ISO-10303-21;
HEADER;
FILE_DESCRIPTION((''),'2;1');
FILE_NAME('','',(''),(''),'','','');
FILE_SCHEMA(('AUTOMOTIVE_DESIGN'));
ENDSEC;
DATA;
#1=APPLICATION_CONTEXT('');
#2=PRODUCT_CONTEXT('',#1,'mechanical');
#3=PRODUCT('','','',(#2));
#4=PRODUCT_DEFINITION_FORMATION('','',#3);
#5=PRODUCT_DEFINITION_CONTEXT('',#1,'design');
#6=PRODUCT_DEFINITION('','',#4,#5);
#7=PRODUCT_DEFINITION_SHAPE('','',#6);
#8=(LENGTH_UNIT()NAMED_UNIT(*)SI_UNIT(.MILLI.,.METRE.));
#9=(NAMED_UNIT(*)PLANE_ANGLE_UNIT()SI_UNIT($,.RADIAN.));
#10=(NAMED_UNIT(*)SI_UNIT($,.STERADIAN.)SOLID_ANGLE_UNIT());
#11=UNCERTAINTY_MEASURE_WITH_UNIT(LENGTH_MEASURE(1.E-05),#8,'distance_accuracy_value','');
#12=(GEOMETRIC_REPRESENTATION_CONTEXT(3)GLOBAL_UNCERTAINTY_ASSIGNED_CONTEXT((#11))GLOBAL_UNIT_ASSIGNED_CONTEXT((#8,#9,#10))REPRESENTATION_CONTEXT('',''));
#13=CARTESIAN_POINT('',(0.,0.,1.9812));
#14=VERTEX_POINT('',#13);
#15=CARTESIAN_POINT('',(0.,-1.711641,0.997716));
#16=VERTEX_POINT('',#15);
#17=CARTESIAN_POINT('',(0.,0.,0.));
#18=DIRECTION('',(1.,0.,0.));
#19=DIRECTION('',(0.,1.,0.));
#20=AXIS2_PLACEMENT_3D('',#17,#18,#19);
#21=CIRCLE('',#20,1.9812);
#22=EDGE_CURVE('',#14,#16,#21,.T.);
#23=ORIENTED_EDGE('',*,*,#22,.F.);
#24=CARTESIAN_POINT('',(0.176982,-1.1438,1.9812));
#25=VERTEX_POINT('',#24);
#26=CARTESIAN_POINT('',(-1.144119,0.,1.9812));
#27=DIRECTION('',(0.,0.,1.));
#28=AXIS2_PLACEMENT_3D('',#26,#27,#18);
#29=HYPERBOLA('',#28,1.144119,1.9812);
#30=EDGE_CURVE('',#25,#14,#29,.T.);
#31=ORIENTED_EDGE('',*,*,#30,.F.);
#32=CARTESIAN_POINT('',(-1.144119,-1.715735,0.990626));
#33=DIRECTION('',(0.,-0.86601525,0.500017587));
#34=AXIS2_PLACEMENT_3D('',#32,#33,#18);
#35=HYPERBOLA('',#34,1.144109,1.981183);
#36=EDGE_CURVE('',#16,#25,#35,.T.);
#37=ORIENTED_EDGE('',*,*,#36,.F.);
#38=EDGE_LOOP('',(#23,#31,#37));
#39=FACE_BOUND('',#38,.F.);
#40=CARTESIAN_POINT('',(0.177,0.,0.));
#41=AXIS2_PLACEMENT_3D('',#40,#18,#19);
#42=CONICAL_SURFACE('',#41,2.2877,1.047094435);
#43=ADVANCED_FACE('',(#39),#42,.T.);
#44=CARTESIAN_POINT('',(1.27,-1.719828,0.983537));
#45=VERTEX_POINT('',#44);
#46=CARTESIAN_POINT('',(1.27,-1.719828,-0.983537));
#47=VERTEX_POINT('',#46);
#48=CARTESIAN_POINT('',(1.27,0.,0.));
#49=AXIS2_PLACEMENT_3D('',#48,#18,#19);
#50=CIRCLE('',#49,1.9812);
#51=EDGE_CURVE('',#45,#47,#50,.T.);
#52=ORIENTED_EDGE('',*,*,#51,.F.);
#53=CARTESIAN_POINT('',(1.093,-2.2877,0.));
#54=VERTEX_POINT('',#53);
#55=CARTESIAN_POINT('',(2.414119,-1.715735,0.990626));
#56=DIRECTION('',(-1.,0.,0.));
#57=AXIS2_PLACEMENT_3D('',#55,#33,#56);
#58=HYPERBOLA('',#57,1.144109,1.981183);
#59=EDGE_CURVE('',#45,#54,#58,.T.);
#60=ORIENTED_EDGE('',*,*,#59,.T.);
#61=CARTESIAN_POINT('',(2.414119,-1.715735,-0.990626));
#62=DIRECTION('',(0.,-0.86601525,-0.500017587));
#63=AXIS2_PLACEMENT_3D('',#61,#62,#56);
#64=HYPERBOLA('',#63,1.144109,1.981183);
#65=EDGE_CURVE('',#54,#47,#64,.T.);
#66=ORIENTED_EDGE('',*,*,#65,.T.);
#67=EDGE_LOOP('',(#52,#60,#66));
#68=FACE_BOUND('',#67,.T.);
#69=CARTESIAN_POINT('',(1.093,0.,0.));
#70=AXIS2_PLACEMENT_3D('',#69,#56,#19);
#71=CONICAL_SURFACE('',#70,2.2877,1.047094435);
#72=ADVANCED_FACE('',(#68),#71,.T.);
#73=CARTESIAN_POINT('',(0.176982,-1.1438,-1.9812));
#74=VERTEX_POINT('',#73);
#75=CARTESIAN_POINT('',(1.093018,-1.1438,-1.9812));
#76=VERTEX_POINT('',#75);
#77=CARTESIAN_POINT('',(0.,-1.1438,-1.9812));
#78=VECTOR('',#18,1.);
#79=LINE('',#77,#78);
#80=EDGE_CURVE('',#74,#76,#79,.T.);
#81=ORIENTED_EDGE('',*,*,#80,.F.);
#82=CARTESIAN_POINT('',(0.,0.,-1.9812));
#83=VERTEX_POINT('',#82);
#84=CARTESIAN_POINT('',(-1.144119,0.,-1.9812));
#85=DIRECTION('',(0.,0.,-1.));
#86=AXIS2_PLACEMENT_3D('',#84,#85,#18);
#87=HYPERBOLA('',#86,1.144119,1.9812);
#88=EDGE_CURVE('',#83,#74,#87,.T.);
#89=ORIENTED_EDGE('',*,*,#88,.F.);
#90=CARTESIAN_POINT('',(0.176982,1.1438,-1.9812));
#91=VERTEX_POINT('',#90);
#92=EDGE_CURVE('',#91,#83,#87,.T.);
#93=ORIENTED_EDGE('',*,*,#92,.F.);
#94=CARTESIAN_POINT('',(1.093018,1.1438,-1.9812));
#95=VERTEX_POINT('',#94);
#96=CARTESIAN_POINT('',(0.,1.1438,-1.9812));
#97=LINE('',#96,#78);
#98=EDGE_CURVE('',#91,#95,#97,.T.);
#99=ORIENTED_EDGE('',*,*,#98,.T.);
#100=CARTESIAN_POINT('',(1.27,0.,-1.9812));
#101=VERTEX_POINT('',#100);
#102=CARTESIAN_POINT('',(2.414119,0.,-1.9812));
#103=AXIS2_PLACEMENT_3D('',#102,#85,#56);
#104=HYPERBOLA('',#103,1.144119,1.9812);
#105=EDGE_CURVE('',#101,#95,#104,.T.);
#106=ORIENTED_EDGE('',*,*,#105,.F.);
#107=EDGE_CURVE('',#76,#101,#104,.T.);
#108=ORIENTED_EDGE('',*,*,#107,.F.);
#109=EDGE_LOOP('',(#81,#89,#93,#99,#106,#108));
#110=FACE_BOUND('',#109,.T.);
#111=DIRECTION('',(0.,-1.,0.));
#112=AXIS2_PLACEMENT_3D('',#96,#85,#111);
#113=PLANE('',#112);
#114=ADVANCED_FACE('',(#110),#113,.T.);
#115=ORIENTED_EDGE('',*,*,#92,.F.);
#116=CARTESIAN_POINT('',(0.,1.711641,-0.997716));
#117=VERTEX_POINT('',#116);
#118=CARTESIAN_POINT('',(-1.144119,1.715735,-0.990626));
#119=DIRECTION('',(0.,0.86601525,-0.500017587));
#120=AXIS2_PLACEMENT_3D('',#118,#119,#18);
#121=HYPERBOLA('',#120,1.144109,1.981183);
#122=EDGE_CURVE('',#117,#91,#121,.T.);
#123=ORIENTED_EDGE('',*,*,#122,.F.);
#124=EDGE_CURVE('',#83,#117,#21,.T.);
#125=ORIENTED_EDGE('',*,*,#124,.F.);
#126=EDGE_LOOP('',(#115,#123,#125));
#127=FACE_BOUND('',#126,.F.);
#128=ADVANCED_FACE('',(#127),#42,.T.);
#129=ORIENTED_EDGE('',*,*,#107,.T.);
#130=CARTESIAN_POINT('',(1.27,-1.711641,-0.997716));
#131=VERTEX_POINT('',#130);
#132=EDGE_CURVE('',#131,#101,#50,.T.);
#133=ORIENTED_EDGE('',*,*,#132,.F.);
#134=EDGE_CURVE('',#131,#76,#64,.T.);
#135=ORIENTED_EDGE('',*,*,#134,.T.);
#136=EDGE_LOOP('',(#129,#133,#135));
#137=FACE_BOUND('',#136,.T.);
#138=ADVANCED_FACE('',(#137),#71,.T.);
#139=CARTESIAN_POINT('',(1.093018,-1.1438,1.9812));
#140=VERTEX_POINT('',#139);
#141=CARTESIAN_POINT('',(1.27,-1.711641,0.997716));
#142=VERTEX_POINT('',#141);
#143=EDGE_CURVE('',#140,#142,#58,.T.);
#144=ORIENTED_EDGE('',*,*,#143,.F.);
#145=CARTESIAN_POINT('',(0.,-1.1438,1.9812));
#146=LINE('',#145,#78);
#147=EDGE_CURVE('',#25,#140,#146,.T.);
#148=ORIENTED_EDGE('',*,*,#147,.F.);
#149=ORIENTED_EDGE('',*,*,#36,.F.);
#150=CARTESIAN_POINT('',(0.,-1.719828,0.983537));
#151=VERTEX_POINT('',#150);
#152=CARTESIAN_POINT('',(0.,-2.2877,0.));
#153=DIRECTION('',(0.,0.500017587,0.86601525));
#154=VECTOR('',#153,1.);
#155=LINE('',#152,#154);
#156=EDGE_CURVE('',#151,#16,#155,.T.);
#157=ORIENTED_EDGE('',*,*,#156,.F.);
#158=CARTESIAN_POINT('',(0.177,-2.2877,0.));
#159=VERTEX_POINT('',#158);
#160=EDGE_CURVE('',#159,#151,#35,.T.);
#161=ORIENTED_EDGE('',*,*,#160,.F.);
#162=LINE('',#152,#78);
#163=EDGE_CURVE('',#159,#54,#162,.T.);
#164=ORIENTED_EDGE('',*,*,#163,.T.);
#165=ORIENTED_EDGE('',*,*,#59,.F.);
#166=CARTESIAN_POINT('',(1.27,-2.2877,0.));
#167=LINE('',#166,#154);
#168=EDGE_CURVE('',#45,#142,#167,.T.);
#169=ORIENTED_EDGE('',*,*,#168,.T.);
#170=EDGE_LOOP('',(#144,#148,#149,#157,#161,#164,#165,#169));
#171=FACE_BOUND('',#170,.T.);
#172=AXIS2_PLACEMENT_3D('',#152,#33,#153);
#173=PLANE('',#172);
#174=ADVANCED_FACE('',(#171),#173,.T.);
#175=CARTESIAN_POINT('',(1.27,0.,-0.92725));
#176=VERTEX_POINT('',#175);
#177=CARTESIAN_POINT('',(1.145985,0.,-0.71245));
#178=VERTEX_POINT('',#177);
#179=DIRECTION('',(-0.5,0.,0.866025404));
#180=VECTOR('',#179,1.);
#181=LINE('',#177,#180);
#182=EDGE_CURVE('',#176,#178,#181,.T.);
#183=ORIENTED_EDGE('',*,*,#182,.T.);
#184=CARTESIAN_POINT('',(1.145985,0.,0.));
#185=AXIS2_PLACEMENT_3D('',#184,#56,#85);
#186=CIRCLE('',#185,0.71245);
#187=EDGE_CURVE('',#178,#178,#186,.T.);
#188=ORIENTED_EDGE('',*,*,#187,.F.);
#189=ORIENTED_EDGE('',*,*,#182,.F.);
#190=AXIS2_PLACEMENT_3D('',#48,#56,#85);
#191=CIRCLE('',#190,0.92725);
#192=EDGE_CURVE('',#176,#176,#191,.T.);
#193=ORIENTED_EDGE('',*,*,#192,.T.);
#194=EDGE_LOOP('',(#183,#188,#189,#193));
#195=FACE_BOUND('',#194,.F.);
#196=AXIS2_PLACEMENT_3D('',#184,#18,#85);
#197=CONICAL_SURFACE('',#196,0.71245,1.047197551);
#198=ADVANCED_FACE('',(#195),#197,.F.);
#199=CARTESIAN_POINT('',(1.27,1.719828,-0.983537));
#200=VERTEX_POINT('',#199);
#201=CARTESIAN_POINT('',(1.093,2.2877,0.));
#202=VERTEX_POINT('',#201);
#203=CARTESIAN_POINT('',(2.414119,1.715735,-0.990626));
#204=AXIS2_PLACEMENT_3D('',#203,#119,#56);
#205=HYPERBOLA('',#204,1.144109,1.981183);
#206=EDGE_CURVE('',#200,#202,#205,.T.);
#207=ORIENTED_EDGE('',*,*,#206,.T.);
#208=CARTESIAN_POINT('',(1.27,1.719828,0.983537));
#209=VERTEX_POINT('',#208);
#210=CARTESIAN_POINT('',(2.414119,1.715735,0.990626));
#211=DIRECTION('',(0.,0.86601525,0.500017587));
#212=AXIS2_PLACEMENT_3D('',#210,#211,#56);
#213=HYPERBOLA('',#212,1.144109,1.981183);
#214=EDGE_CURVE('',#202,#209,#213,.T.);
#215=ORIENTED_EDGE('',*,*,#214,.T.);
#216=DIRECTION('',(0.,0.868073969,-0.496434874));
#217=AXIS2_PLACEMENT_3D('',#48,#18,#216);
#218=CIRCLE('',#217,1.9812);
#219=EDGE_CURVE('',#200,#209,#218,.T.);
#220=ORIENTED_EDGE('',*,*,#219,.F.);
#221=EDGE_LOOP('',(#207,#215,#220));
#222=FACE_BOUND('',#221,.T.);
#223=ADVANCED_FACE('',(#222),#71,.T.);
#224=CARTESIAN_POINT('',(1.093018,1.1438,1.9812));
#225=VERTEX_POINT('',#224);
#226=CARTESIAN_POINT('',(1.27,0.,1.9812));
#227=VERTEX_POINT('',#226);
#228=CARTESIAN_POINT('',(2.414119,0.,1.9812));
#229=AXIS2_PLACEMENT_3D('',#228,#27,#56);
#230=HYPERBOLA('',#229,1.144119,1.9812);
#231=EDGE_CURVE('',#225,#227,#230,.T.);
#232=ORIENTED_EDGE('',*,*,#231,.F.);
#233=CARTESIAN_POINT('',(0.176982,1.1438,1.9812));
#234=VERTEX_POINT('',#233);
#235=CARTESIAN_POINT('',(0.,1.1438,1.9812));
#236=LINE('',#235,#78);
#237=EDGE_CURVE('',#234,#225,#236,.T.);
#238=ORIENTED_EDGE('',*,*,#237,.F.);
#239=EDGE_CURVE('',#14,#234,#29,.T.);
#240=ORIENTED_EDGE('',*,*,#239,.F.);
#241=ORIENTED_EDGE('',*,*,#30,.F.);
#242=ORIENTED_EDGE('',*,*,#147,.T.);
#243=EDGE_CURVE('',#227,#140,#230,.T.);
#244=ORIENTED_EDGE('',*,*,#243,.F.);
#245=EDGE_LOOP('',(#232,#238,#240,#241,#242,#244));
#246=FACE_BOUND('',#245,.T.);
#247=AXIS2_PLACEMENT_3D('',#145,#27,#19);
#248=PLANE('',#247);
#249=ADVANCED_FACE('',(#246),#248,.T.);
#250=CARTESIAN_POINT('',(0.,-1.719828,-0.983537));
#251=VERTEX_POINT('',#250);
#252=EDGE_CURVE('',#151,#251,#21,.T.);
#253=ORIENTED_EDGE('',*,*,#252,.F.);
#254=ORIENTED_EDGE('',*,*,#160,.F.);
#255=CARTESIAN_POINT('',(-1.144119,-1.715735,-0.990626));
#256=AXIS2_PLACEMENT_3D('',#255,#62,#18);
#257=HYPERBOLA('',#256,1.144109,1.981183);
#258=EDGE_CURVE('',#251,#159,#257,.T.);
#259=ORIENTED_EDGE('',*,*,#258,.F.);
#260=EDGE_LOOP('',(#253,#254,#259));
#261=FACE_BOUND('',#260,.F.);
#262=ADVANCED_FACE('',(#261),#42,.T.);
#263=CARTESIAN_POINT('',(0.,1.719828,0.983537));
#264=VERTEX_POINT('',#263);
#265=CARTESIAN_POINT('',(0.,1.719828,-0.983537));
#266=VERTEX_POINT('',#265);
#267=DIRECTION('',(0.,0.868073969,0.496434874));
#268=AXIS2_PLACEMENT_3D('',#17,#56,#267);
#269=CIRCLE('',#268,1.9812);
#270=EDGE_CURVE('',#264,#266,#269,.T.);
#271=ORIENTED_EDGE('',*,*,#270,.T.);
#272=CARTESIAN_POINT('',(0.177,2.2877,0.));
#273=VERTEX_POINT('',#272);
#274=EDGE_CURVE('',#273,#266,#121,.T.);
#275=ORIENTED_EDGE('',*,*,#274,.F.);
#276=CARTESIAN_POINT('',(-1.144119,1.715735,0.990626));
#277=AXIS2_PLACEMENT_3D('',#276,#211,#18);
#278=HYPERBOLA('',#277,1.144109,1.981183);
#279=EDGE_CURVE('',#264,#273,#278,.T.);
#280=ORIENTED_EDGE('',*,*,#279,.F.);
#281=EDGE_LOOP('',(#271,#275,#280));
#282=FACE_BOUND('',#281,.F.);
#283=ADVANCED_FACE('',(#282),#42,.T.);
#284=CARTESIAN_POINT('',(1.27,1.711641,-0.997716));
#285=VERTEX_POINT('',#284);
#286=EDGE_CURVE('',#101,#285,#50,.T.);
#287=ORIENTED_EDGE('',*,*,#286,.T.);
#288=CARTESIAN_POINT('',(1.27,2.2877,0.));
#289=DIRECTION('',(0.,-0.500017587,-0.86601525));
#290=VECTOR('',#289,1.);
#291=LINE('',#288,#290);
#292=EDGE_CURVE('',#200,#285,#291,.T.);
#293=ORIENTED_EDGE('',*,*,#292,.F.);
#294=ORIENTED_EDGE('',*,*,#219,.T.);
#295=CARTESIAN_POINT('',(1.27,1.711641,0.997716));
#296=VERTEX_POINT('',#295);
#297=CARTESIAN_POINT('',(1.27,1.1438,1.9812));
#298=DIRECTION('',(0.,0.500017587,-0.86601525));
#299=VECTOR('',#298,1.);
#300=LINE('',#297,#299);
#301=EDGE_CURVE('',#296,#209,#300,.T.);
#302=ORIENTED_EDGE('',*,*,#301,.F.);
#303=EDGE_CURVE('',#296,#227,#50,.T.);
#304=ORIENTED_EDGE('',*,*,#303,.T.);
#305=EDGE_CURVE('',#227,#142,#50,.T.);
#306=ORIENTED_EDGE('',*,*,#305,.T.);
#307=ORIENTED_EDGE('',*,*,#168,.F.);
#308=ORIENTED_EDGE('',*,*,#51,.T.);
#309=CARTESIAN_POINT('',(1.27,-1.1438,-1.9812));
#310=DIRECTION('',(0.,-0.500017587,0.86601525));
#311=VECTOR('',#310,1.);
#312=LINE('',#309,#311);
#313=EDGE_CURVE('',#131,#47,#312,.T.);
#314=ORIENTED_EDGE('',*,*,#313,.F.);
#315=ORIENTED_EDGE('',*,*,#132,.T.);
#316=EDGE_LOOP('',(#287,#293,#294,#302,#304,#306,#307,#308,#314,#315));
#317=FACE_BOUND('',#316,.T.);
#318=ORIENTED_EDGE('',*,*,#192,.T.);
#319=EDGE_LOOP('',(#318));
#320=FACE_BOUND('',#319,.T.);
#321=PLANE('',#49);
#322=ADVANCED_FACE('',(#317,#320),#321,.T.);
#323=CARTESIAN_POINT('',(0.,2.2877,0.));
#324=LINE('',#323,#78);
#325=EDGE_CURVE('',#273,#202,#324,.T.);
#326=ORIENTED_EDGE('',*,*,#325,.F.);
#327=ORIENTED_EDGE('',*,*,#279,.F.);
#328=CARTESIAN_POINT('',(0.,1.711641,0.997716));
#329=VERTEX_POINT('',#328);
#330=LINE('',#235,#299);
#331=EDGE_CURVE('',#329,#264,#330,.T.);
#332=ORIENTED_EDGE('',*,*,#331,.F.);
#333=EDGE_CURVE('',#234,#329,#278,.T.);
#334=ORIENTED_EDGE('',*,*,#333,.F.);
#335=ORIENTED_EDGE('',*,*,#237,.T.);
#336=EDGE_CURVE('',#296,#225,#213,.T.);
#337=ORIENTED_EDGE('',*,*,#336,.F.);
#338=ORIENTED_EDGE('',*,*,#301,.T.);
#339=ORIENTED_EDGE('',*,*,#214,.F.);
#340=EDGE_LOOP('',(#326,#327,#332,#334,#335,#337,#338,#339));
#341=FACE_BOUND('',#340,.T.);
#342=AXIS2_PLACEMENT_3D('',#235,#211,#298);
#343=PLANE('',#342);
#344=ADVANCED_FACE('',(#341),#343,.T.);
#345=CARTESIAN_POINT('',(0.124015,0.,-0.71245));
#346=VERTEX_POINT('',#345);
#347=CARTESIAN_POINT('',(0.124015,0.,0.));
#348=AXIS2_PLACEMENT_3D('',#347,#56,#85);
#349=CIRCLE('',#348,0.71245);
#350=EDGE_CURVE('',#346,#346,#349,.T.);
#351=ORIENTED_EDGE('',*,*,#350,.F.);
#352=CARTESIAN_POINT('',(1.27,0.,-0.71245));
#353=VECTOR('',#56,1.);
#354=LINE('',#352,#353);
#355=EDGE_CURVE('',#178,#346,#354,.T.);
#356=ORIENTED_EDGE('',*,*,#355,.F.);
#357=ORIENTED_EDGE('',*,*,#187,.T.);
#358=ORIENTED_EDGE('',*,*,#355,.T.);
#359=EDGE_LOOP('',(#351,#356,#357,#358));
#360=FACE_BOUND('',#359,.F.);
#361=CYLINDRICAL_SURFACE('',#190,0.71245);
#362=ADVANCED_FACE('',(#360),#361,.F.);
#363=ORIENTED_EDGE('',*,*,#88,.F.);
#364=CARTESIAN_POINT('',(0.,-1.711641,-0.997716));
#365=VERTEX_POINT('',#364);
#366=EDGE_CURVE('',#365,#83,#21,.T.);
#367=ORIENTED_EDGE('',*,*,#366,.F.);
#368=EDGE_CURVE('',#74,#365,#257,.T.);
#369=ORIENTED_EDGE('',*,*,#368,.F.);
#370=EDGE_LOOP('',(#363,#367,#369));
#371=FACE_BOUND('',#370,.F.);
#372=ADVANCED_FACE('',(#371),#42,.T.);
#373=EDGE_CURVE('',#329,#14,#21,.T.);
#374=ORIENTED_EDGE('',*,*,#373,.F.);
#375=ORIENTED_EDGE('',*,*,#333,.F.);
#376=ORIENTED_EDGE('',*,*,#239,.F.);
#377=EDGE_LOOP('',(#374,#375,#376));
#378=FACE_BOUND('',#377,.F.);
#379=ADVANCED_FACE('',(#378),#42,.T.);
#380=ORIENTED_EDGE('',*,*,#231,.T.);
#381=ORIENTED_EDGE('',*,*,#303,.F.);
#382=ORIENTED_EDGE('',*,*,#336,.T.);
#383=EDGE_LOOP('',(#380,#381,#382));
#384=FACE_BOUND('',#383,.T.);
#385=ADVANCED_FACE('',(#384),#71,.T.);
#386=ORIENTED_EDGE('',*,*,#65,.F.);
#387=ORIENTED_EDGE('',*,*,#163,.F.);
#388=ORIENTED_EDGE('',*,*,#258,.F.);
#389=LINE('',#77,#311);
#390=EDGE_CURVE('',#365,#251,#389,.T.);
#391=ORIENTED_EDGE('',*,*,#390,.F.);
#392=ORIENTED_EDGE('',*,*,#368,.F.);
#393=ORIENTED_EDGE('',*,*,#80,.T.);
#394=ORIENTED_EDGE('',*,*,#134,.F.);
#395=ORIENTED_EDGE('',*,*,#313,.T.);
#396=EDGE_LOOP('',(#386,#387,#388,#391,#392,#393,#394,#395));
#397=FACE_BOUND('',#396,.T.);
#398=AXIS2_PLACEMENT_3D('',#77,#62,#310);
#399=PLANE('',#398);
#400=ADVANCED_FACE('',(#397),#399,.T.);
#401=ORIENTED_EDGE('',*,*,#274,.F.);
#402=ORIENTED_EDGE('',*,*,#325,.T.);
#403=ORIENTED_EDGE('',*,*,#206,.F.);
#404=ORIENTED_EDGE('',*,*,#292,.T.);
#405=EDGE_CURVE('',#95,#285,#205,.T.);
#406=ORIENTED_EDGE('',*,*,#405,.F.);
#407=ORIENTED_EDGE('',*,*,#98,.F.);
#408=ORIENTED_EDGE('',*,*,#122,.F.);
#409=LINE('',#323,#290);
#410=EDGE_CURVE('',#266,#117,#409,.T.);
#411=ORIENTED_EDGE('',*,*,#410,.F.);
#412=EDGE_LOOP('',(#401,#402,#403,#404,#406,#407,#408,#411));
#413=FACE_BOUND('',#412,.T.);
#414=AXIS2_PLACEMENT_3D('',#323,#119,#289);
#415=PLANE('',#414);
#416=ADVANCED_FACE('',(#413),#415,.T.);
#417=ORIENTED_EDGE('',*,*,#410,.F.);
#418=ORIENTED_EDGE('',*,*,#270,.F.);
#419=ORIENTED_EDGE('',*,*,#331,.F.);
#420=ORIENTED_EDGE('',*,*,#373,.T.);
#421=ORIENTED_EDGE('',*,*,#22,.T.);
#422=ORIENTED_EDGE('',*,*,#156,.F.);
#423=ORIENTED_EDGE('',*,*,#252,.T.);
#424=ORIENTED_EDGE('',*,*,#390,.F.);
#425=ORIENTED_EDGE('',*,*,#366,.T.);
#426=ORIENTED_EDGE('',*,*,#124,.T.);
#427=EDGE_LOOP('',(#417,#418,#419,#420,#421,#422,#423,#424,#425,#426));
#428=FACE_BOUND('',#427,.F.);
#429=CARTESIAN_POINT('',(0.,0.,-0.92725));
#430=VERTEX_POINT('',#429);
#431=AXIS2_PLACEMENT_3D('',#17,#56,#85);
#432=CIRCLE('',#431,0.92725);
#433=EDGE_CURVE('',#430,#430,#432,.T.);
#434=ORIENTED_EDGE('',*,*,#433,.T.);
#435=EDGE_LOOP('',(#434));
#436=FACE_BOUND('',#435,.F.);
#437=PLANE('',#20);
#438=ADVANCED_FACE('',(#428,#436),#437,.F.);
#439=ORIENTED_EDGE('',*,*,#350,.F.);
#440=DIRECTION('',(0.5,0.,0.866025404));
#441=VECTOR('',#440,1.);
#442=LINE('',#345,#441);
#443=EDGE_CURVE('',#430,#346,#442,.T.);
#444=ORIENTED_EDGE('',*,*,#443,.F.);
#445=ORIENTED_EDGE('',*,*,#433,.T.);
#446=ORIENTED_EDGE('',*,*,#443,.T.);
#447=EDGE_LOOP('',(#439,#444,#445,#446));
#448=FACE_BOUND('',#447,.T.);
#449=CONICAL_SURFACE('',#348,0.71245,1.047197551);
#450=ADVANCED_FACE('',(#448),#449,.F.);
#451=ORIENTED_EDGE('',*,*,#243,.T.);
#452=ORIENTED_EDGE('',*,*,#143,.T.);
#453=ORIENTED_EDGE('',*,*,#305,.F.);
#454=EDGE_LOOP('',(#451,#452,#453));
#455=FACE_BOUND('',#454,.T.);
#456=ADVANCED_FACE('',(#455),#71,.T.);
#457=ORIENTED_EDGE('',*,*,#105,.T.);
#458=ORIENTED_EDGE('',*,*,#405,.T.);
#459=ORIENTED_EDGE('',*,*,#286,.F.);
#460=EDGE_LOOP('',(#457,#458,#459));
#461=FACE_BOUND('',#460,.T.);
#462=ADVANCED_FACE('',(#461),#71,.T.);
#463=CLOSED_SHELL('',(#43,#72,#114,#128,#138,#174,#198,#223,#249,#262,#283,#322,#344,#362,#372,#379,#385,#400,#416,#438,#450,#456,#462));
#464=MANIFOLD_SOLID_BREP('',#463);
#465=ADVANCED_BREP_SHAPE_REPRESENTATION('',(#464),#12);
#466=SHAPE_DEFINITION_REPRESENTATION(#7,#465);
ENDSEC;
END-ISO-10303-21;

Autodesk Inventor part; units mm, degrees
ref_plane "YZ Plane" through (0, 0, 0) normal (1, 0, 0) x (0, 1, 0)
ref_plane "XZ Plane" through (0, 0, 0) normal (0, 1, 0) x (-1, 0, 0)
sketch "Sketch1" plane through (0, 0, 0) normal (1, 0, 0) x (0, 1, 0)
  line L0 (-2.2877, 0) -> (-1.1438, 1.9812)
  line L1 (-1.1438, 1.9812) -> (1.1438, 1.9812)
  line L2 (1.1438, 1.9812) -> (2.2877, 0)
  line L3 (2.2877, 0) -> (1.1438, -1.9812)
  line L4 (1.1438, -1.9812) -> (-1.1438, -1.9812)
  line L5 (-1.1438, -1.9812) -> (-2.2877, 0)
  point P0 (0, 0)
  point P1 (0, 0)
  dimension "d0" = 4.5754
extrude "Body" add sketch "Sketch1" along normal blind 1.27
sketch "Sketch2" plane through (0, 0, 0) normal (0, 0, 1) x (1, 0, 0)
  line L0 (0, 1.1438) -> (0, 2.2877) projected
  line L1 (0, 2.2877) -> (1.27, 2.2877) projected
  line L2 (1.27, 1.1438) -> (1.27, 2.2877) projected
  line L3 (-0.254, 0) -> (1.524, 0) projected
  line L4 (0.177, 2.2877) -> (0, 1.9812)
  line L5 (1.093, 2.2877) -> (1.27, 1.9812)
  dimension "d3" = 30
  dimension "d4" = 30
  dimension "d5" = 3.9624
  dimension "d6" = 3.9624
revolve "Chamfer1" cut sketch "Sketch2" angle 360 about axis through (-10, 0, 0) along (1, 0, 0)
sketch "Sketch3" plane through (1.27, 0, 0) normal (1, 0, 0) x (0, 0, -1)
  arc A0 (-0.9906, -1.7158) -> (0.9906, -1.7158) centre (0, 0) ccw projected
hole "Thread" at (1.27, 0, 0) direction (-1, 0, 0) diameter 1.4249 end through all thread size "1-64 UNC" class "2B" standard "ANSI Unified Screw Threads"
chamfer "Chamfer2" distance 0.2148 angle 30 1 edges at (1.27, 0, 0.7125) measured on face at (1.27, 1.5493, -0.0286)
chamfer "Chamfer3" distance 0.2148 angle 30 1 edges at (0, 0, 0.7125) measured on face at (0, 1.5493, 0.0286)
ref_plane "Work Plane1" through (-4.9145, 0, 0) normal (0, -0.866, -0.5) x (1, 0, 0)
equation "\"d0\" = 1.1547 * SW"
equation "\"d1\" = KOH"
equation "\"d3\" = ANG1"
equation "\"d4\" = ANG2"
equation "\"d5\" = SW0"
equation "\"d6\" = SW01"
equation "\"d8\" = -0.5 * GD1 + 0.5 * NND"
equation "\"d40\" = -0.5 * GD1 + 0.5 * NND"
equation "\"d10\" = -0.5 * GD1 + 0.5 * NND"
equation "\"d41\" = -0.5 * GD1 + 0.5 * NND"
equation "\"ANG1\" = 30deg"
equation "\"ANG2\" = 30deg"
equation "\"NND\" = 1.8542"
equation "\"KOH\" = 1.27"
equation "\"SW\" = 3.9624"
equation "\"SW0\" = SW"
equation "\"SW01\" = SW"
equation "\"THREADDIA\" = 1.8542"
equation "\"TOA\" = 30deg"
equation "\"E0\" = 1.155 * SW"
equation "\"GD1\" = 1.42457"
properties part number "ANSI B18.2.2 - 1 - 64, HMSNI" material "Steel, Mild"
